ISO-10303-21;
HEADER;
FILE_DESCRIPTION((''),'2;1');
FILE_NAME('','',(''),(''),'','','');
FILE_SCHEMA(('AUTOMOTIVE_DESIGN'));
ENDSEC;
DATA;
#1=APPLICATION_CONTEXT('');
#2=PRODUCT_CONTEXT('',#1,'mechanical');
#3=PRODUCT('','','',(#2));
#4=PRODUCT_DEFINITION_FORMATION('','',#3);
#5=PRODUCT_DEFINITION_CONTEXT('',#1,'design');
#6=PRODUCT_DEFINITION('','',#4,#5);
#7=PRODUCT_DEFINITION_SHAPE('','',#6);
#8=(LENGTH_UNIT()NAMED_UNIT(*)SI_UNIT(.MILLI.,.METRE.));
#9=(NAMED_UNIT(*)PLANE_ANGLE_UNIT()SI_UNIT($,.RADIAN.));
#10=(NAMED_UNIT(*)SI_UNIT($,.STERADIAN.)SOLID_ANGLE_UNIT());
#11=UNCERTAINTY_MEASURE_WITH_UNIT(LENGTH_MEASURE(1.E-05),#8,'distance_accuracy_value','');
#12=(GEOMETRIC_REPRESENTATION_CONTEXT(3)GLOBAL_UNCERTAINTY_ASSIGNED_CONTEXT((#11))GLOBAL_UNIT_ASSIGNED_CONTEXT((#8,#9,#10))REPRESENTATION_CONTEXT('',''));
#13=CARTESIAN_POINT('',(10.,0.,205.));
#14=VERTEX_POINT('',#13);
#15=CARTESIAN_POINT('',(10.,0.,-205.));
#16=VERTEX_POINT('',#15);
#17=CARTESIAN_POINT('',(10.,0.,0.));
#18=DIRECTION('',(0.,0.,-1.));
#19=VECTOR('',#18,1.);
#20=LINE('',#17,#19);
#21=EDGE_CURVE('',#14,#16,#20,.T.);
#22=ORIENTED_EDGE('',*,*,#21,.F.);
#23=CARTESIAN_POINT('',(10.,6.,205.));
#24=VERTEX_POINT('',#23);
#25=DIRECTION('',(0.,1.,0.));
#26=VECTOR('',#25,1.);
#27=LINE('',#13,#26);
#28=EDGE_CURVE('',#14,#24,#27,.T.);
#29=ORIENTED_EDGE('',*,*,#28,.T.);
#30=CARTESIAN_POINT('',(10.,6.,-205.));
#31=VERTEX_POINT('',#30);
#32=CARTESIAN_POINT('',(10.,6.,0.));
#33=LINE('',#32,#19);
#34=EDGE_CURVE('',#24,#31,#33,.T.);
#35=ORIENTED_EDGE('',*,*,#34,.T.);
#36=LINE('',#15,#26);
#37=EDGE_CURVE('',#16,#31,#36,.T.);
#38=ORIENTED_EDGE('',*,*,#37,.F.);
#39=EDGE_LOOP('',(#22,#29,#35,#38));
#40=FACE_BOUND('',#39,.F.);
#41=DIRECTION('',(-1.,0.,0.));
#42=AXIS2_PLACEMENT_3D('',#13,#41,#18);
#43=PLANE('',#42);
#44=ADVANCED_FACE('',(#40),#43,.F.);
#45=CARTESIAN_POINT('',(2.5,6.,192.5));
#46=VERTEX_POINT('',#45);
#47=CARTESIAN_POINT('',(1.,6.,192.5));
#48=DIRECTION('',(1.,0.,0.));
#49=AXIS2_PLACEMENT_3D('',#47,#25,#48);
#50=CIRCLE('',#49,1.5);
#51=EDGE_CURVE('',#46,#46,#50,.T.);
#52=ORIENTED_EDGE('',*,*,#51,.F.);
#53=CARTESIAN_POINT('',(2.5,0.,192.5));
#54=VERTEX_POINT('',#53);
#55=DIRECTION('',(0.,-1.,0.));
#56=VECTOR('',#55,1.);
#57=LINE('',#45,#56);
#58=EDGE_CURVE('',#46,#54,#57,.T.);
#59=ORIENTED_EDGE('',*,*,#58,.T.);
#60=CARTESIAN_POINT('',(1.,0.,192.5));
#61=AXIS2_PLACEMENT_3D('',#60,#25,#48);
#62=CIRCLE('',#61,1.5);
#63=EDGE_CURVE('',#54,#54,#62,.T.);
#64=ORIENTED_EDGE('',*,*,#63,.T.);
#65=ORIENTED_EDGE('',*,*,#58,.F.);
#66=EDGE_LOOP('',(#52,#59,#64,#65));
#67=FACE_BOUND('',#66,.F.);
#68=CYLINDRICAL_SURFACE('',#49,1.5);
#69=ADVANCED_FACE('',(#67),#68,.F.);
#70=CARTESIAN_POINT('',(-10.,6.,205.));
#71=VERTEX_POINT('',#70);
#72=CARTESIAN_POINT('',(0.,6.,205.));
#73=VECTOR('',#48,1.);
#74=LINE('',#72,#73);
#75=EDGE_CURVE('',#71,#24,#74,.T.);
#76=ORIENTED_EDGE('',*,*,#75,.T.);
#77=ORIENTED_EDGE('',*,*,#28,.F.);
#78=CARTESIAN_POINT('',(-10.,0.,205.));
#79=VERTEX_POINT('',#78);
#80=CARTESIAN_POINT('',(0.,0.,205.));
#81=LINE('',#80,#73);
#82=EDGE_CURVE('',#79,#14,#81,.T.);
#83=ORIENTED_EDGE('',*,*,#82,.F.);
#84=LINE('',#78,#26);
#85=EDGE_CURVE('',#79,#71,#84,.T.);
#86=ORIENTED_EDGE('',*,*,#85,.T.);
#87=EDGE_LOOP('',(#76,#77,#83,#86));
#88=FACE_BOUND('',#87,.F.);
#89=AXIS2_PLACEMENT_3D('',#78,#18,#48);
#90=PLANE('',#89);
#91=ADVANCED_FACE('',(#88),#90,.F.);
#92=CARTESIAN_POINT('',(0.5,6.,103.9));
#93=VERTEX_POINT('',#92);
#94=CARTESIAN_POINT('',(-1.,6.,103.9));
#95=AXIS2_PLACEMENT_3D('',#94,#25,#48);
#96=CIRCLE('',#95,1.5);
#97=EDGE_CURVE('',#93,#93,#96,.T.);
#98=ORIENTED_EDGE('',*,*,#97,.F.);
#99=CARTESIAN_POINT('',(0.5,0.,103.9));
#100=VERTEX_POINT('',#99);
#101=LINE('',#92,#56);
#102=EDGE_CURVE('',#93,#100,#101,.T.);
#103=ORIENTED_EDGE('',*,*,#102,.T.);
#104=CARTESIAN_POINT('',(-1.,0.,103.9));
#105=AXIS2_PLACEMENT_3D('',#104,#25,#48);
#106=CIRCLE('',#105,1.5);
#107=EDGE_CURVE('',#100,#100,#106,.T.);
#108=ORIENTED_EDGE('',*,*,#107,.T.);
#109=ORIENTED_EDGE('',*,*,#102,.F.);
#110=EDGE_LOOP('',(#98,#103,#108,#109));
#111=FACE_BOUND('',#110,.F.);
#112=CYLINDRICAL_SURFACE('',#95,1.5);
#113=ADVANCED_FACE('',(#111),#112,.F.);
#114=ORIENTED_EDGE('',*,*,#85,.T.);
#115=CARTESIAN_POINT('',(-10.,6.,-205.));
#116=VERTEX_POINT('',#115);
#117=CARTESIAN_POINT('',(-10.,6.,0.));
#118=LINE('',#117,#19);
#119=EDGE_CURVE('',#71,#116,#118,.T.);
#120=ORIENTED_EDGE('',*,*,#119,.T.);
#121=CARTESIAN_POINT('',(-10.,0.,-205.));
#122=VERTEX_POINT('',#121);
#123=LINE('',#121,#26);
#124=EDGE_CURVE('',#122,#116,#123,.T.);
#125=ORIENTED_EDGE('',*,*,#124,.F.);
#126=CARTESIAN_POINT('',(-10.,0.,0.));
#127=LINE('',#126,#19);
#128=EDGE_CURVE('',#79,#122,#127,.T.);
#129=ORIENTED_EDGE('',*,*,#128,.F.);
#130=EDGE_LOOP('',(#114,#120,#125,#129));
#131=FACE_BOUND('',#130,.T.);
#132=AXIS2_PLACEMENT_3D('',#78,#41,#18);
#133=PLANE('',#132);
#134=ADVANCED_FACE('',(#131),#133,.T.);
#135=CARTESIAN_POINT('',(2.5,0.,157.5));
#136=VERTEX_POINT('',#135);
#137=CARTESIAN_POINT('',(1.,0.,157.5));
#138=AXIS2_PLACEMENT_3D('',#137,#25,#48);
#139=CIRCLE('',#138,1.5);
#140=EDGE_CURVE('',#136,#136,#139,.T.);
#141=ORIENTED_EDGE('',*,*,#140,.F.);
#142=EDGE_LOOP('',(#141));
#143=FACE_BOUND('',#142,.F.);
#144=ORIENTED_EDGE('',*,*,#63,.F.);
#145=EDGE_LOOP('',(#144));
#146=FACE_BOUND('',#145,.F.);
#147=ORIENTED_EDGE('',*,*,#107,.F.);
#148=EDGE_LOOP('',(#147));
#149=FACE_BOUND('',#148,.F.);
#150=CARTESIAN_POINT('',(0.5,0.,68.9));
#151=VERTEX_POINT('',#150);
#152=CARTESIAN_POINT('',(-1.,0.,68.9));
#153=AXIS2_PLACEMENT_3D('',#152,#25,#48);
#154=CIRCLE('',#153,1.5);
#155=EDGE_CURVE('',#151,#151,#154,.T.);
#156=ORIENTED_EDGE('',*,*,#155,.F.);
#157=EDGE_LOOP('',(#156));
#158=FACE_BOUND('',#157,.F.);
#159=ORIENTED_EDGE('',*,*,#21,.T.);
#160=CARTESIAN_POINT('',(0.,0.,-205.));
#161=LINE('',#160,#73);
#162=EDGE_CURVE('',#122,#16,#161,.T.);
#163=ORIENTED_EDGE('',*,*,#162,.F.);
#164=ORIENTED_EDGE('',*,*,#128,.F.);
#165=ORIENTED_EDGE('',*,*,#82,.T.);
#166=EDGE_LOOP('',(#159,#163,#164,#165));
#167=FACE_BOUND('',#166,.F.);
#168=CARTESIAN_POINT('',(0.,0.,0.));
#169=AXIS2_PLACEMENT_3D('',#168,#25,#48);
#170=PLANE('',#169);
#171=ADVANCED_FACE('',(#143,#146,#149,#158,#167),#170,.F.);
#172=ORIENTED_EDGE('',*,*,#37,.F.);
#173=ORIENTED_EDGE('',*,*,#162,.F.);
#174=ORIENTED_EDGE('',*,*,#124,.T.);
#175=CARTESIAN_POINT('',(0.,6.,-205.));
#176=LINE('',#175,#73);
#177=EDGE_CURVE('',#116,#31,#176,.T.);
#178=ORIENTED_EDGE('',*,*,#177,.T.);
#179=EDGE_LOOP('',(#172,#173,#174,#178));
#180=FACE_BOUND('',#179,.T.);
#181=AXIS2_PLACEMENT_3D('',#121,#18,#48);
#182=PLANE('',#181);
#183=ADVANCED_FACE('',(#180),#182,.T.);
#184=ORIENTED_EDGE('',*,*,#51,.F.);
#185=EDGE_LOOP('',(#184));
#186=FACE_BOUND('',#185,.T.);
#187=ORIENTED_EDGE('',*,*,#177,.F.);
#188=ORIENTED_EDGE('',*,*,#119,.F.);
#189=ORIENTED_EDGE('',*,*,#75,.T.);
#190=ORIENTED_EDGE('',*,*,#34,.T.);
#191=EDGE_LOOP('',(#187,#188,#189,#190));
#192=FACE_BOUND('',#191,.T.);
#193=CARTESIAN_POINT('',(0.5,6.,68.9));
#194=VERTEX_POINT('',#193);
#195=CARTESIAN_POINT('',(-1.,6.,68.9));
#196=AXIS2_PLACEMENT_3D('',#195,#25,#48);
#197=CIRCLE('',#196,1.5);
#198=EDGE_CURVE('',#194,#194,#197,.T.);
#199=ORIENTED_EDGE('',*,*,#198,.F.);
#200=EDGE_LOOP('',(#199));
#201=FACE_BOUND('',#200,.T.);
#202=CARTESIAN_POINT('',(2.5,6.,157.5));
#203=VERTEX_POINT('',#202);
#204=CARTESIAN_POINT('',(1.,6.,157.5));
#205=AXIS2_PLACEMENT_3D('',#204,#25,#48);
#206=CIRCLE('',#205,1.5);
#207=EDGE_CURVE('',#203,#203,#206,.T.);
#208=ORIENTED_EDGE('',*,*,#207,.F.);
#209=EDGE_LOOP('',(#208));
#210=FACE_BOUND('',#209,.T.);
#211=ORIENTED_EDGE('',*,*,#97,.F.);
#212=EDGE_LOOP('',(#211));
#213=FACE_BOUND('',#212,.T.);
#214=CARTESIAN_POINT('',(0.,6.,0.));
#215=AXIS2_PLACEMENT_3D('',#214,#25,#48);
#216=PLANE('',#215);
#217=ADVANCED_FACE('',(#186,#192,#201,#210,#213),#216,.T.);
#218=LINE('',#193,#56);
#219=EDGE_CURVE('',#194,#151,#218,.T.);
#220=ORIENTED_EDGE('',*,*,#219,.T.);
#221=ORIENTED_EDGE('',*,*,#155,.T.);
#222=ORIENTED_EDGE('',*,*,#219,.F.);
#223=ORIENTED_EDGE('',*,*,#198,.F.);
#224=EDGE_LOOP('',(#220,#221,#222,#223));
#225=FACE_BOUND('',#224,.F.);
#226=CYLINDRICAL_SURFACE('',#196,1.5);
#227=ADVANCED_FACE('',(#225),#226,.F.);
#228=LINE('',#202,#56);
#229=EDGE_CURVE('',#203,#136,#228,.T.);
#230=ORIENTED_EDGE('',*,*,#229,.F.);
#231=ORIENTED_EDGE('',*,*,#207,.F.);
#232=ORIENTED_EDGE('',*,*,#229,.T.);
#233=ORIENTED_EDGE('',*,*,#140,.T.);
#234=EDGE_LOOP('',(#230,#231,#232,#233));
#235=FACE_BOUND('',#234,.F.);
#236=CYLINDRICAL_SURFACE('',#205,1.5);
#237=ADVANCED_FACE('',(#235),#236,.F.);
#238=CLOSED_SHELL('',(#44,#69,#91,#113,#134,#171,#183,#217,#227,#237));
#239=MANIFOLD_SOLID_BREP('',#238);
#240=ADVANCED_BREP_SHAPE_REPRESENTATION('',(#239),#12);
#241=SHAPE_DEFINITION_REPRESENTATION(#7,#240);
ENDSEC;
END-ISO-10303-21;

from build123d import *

# Parameters (mm, degrees)
SKETCH1_W           = 20
SKETCH1_H           = 410
BOSS_EXTRUDE1_DEPTH = 6
SKETCH2_R           = 1.5
CUT_EXTRUDE1_DEPTH  = 7


with BuildPart() as part:
    # Sketch1 → Boss-Extrude1 (new body)
    with BuildSketch(Plane(origin=(0, 0, 0), x_dir=(1, 0, 0), z_dir=(0, 1, 0))):
        Rectangle(SKETCH1_W, SKETCH1_H)
    extrude(amount=BOSS_EXTRUDE1_DEPTH)

    # Sketch2 → Cut-Extrude1 (cut, through all)
    with BuildSketch(Plane(origin=(0, 6, 0), x_dir=(1, 0, 0), z_dir=(0, 1, 0))):
        with Locations((1, -192.5)):
            Circle(SKETCH2_R)
        with Locations((1, -157.5)):
            Circle(SKETCH2_R)
        with Locations((-1, -103.9)):
            Circle(SKETCH2_R)
        with Locations((-1, -68.9)):
            Circle(SKETCH2_R)
    extrude(amount=-CUT_EXTRUDE1_DEPTH, mode=Mode.SUBTRACT)


solid = part.part
